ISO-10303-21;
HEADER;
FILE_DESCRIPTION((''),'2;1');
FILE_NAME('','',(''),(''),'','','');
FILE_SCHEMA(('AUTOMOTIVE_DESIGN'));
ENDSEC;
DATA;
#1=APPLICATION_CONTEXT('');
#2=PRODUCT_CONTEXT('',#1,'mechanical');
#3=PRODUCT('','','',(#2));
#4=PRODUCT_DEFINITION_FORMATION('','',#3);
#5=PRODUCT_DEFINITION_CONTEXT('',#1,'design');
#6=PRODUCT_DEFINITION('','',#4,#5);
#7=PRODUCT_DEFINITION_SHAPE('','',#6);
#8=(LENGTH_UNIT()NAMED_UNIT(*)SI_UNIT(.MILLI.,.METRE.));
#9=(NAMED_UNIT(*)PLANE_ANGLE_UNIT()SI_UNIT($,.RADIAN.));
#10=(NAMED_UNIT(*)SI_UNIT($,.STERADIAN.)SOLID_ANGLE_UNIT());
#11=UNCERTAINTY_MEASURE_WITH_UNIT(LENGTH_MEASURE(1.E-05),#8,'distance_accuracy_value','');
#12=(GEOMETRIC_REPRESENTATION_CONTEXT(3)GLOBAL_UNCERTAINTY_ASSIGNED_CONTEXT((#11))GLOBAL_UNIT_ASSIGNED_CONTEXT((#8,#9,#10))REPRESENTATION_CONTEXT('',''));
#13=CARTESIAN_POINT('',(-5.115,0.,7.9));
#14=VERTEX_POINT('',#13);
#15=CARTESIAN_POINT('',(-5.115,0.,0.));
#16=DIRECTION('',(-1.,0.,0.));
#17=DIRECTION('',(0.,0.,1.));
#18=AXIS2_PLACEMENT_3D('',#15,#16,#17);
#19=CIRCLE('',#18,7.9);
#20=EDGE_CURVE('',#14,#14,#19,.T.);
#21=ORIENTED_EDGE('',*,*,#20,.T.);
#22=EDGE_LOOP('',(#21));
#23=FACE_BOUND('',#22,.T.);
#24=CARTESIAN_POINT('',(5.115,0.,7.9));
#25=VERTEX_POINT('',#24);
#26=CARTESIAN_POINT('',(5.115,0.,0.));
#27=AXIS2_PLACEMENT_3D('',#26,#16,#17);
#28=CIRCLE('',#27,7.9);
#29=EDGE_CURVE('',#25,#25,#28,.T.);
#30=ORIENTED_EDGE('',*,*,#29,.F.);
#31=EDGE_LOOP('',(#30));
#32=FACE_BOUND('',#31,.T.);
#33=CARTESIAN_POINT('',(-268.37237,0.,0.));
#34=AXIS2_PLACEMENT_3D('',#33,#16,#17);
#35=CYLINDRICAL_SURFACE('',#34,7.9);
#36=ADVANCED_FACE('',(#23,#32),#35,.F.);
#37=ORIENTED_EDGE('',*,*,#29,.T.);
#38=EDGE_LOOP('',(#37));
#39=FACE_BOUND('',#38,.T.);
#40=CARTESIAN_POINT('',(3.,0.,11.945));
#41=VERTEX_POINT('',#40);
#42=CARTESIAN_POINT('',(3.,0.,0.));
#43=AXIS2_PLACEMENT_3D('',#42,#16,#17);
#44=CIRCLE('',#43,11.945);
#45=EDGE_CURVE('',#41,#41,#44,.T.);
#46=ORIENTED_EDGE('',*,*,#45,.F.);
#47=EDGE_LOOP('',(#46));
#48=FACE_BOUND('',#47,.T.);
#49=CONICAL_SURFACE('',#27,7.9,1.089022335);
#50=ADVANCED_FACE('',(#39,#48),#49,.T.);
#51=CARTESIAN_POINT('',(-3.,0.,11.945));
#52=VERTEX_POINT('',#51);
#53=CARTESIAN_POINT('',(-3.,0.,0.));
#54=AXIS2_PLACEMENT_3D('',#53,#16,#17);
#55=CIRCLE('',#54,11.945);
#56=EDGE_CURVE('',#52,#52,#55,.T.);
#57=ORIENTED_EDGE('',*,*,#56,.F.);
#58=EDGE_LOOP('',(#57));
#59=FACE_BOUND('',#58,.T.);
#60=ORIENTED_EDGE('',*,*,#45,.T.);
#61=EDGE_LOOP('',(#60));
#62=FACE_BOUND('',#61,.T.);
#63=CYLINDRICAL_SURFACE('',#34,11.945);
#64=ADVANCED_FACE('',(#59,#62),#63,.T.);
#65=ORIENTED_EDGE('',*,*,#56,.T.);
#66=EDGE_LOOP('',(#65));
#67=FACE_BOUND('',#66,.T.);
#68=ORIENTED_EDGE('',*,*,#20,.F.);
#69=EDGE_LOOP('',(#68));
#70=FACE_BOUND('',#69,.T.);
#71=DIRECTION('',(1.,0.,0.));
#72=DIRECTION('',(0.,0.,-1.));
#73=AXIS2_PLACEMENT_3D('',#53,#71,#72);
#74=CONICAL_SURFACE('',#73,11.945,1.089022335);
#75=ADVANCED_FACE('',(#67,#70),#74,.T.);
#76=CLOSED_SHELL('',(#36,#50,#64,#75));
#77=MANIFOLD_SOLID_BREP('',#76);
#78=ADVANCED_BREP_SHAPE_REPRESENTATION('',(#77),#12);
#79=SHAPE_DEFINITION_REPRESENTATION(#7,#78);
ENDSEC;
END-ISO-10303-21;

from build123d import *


with BuildPart() as part:
    # Sketch1 → Revolve1 (revolve)
    with BuildSketch(Plane.XY, mode=Mode.PRIVATE) as revolve1_sk:
        Polygon((5.115, 7.9), (3, 11.945), (-3, 11.945), (-5.115, 7.9), align=None)
    revolve(revolve1_sk.sketch.rotate(Axis((-268.372370198, 0, 0), (1, 0, 0)), 90), axis=Axis((-268.372370198, 0, 0), (1, 0, 0)))


solid = part.part
